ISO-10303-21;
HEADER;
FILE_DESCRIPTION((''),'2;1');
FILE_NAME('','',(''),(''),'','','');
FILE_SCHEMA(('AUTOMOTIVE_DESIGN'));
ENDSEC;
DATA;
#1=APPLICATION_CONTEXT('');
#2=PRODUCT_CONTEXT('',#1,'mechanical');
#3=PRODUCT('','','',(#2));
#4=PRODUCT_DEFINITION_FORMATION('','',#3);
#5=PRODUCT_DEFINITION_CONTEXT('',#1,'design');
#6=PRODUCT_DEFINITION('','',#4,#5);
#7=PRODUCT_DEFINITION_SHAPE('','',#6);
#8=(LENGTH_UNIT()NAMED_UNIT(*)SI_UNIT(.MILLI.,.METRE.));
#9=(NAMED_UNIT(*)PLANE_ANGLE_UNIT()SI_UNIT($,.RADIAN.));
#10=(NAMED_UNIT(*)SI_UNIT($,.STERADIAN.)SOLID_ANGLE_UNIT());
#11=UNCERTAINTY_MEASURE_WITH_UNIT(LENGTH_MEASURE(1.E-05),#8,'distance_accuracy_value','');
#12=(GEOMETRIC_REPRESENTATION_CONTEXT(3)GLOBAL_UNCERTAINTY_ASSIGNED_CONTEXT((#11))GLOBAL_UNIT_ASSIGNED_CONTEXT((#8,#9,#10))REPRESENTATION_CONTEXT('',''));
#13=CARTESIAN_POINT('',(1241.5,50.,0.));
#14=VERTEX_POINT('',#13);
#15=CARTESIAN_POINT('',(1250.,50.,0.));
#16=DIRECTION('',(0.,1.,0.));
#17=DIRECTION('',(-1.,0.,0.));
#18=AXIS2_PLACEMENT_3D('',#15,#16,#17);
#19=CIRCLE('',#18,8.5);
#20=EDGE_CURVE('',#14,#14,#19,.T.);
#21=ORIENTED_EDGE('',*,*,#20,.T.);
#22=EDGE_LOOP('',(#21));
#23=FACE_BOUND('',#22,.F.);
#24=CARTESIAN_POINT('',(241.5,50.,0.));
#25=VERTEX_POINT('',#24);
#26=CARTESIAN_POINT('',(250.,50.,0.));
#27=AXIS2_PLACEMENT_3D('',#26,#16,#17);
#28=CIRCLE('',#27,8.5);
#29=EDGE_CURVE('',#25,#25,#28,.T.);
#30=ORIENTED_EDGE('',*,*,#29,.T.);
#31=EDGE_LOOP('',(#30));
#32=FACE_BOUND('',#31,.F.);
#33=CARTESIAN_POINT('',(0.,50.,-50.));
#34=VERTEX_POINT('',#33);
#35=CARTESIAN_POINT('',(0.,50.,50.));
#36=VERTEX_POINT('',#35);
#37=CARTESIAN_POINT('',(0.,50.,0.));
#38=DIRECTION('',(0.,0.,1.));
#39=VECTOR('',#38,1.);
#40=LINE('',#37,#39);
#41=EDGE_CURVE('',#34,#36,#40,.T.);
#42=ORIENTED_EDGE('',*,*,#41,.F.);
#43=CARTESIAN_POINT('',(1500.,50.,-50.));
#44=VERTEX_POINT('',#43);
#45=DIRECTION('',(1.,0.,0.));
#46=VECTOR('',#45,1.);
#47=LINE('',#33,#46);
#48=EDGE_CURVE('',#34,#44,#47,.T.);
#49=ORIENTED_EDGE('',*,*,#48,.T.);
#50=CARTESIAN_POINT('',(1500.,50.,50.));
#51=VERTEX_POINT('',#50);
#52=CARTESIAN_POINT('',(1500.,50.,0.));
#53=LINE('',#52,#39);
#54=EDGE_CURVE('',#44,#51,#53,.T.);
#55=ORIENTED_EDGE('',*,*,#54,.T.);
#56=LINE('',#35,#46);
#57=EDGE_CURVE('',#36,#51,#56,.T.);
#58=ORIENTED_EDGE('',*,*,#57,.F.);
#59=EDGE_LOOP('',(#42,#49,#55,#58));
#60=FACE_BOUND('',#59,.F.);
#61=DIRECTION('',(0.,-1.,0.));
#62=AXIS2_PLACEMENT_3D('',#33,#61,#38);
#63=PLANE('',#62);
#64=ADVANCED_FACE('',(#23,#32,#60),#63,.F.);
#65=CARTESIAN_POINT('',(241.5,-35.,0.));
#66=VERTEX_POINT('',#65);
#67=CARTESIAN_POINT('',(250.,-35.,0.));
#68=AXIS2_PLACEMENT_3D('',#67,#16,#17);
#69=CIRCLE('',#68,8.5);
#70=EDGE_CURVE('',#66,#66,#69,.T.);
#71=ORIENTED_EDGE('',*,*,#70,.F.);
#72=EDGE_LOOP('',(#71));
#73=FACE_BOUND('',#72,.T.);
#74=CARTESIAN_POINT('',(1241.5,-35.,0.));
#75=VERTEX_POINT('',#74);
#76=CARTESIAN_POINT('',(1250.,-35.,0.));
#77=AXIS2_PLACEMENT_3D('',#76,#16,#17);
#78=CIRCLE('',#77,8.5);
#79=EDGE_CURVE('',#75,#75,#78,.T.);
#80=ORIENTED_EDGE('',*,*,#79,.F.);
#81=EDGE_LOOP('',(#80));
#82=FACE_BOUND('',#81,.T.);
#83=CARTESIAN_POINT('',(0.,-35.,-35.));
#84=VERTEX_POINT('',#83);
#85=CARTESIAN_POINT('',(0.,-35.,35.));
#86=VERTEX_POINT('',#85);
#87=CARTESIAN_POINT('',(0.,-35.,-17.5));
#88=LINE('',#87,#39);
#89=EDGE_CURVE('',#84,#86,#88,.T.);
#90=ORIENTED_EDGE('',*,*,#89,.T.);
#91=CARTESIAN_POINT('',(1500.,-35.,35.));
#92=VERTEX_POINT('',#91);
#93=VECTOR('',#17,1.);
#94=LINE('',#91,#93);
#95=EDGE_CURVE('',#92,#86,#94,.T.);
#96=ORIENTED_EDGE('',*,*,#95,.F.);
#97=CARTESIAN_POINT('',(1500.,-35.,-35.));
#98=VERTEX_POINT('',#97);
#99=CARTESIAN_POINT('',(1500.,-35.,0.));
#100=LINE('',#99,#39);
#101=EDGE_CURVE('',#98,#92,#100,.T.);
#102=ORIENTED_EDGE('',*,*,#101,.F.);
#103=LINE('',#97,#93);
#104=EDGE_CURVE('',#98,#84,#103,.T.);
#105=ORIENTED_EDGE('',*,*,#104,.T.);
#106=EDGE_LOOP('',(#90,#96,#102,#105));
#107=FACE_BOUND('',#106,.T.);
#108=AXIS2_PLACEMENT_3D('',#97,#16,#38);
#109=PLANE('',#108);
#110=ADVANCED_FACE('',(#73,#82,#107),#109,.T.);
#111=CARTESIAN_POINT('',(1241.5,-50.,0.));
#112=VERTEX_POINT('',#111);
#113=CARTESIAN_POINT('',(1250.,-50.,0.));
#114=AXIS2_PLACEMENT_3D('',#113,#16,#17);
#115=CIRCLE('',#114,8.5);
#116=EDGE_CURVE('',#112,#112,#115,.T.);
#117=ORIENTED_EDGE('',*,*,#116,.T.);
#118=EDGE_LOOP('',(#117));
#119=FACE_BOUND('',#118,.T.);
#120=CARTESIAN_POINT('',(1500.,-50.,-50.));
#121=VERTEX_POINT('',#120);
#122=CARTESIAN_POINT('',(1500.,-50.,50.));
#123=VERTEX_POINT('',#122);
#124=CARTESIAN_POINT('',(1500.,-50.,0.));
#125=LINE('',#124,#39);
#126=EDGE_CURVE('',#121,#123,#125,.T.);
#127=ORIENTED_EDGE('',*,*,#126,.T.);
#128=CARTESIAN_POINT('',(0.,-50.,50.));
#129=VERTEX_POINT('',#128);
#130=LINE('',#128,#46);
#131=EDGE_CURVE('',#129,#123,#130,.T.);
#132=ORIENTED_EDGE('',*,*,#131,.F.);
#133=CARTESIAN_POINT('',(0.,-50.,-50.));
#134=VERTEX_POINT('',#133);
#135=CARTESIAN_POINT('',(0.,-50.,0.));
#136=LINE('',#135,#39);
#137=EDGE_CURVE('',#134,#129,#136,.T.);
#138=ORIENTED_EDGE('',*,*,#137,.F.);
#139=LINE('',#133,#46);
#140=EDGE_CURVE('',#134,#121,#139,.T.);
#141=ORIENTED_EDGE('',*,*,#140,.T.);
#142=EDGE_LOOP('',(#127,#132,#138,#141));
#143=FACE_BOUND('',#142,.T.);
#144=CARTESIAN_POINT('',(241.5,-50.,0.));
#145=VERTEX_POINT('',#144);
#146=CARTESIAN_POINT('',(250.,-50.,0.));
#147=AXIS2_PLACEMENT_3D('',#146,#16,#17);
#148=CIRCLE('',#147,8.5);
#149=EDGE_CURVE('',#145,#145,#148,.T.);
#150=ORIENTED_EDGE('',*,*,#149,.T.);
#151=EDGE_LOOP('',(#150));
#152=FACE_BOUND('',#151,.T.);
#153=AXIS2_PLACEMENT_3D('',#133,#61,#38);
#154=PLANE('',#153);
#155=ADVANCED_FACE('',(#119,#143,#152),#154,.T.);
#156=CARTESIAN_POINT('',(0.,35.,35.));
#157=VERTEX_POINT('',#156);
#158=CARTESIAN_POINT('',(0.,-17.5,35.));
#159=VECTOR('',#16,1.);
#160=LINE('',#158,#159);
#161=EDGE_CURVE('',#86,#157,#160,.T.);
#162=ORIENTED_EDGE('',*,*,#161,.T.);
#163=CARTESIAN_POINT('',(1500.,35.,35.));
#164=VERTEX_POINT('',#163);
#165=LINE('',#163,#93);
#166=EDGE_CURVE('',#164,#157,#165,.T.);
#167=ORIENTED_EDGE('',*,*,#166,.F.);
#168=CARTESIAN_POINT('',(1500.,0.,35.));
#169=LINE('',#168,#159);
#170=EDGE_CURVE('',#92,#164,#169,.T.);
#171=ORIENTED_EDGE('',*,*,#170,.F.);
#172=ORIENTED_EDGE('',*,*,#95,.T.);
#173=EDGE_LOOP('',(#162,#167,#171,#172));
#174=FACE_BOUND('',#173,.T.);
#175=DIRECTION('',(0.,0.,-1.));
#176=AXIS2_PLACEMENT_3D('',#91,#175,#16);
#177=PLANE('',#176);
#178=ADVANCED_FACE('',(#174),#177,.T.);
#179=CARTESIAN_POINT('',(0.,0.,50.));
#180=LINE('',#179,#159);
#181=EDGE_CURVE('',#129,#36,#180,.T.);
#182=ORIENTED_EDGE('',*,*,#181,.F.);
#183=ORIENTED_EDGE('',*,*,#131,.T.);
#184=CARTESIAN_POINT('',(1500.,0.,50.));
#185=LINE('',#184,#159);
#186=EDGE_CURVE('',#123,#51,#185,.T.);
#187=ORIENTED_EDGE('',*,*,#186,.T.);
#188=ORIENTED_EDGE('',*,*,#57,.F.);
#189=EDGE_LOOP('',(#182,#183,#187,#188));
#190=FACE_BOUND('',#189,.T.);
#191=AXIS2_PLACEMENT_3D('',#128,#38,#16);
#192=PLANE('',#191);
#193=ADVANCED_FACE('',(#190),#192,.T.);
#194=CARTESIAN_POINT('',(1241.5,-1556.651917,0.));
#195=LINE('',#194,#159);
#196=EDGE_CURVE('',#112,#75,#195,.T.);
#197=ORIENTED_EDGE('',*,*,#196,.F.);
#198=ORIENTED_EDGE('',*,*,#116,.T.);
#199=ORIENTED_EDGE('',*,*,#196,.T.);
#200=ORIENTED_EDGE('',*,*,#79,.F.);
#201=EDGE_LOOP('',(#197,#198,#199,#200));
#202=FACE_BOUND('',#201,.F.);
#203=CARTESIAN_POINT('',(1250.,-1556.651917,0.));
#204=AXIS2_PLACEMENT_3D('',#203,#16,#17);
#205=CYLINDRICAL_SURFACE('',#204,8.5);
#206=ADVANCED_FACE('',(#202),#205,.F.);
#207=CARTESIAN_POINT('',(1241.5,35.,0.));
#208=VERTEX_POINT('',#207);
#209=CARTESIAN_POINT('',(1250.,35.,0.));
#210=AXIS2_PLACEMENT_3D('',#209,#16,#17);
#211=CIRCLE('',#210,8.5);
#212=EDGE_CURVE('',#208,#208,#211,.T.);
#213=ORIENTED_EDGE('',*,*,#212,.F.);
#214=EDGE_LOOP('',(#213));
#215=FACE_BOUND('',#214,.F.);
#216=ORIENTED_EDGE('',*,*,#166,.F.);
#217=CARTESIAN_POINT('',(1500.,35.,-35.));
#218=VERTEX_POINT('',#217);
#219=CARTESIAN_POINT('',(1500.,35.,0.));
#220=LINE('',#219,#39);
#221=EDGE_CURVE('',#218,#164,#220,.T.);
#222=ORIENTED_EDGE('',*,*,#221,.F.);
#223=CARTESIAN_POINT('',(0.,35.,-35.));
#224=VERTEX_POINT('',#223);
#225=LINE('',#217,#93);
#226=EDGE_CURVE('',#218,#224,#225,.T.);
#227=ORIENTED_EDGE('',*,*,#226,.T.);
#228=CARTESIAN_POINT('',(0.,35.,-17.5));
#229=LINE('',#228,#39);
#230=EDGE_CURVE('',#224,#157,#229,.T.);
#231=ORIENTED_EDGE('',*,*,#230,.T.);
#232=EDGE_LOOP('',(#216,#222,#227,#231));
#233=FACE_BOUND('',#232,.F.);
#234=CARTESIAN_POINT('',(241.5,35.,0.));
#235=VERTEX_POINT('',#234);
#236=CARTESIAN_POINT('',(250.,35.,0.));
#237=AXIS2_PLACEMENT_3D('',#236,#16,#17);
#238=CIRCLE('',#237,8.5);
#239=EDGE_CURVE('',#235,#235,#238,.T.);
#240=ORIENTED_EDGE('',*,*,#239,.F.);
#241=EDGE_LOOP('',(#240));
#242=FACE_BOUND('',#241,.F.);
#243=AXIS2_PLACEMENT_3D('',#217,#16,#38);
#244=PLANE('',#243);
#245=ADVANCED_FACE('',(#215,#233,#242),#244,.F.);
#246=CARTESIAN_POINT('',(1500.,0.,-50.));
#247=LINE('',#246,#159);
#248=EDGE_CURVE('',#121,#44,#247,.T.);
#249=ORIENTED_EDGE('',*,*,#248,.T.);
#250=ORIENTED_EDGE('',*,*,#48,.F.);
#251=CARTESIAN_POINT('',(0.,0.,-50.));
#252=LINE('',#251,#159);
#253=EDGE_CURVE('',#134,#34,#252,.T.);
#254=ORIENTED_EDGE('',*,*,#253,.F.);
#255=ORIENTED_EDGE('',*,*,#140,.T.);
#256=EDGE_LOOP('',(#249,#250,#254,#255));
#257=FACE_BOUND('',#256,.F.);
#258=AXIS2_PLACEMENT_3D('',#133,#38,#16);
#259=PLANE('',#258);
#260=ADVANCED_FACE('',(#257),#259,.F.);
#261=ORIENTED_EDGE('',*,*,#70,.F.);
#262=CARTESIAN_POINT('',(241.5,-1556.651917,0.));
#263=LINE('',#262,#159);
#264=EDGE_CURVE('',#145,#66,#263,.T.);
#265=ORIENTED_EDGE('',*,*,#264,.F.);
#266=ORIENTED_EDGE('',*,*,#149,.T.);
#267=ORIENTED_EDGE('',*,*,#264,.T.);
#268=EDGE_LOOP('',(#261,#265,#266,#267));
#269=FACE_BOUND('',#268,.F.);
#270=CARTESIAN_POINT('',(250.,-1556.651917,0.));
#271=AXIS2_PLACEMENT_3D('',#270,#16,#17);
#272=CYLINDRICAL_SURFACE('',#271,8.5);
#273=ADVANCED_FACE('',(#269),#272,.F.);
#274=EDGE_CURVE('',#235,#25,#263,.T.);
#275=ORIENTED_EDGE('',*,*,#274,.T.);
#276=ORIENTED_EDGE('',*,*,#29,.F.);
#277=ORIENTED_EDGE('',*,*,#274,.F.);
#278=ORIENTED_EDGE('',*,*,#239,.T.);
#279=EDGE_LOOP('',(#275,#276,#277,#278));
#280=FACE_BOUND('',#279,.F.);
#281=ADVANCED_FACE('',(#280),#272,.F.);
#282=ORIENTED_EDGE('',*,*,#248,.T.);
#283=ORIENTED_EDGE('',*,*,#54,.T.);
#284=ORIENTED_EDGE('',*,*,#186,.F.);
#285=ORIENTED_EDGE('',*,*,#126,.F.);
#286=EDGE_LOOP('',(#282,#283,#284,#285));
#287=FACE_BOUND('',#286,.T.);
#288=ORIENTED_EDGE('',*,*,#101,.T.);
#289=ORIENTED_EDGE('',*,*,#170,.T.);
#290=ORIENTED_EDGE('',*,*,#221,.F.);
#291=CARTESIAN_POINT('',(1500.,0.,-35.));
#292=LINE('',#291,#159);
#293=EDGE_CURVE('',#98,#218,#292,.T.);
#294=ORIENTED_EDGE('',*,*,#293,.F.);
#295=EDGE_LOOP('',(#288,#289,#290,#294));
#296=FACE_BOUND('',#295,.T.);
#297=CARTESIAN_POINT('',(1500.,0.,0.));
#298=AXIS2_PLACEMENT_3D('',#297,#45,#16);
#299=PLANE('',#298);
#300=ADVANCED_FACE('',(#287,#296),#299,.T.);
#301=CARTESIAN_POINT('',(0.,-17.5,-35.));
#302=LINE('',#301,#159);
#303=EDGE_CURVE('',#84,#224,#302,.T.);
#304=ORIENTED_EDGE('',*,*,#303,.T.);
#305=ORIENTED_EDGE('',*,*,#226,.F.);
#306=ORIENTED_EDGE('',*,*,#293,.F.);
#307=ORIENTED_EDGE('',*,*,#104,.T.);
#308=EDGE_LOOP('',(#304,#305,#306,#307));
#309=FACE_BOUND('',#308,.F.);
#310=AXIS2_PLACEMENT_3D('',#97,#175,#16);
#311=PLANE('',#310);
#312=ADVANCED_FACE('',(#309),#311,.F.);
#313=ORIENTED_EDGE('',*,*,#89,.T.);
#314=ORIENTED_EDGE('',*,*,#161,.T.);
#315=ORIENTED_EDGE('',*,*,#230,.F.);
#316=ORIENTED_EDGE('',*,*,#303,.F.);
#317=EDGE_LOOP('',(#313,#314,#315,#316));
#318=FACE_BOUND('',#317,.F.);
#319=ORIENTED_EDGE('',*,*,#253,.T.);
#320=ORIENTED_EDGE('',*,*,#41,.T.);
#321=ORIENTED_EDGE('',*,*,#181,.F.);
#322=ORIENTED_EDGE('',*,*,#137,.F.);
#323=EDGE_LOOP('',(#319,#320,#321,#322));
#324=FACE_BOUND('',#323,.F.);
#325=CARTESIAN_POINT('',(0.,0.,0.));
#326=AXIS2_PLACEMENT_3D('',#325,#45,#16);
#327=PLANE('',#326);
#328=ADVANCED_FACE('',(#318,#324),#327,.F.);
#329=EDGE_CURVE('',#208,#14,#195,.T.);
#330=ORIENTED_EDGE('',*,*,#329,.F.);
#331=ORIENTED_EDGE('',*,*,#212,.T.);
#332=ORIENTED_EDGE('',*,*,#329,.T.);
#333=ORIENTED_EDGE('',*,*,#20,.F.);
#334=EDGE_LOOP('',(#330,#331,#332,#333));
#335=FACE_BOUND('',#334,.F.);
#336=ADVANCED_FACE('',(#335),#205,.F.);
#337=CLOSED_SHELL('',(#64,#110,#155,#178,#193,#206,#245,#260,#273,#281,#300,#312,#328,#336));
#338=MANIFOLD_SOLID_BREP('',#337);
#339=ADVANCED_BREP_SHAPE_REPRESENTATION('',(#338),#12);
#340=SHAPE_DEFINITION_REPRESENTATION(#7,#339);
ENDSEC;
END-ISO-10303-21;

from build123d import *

# Parameters (mm, degrees)
F0_W     = 100
F0_H     = 100
F1_DEPTH = 1500
F2_W     = 70
F2_H     = 70
F3_DEPTH = 2001
F5_D     = 17


with BuildPart() as f1:
    # F0 (on Right) → F1 (new body)
    with BuildSketch(Plane.YZ):
        Rectangle(F0_W, F0_H)
    extrude(amount=F1_DEPTH)

    # F2 (on face) → F3 (cut)
    with BuildSketch(Plane.YZ.offset(1500)):
        Rectangle(F2_W, F2_H)
    extrude(amount=-F3_DEPTH, mode=Mode.SUBTRACT)

    # F5 (through all)
    with Locations(Plane.XZ.offset(50)):
        with Locations((250, 0), (1250, 0)):
            Hole(F5_D / 2)


solid = f1.part
